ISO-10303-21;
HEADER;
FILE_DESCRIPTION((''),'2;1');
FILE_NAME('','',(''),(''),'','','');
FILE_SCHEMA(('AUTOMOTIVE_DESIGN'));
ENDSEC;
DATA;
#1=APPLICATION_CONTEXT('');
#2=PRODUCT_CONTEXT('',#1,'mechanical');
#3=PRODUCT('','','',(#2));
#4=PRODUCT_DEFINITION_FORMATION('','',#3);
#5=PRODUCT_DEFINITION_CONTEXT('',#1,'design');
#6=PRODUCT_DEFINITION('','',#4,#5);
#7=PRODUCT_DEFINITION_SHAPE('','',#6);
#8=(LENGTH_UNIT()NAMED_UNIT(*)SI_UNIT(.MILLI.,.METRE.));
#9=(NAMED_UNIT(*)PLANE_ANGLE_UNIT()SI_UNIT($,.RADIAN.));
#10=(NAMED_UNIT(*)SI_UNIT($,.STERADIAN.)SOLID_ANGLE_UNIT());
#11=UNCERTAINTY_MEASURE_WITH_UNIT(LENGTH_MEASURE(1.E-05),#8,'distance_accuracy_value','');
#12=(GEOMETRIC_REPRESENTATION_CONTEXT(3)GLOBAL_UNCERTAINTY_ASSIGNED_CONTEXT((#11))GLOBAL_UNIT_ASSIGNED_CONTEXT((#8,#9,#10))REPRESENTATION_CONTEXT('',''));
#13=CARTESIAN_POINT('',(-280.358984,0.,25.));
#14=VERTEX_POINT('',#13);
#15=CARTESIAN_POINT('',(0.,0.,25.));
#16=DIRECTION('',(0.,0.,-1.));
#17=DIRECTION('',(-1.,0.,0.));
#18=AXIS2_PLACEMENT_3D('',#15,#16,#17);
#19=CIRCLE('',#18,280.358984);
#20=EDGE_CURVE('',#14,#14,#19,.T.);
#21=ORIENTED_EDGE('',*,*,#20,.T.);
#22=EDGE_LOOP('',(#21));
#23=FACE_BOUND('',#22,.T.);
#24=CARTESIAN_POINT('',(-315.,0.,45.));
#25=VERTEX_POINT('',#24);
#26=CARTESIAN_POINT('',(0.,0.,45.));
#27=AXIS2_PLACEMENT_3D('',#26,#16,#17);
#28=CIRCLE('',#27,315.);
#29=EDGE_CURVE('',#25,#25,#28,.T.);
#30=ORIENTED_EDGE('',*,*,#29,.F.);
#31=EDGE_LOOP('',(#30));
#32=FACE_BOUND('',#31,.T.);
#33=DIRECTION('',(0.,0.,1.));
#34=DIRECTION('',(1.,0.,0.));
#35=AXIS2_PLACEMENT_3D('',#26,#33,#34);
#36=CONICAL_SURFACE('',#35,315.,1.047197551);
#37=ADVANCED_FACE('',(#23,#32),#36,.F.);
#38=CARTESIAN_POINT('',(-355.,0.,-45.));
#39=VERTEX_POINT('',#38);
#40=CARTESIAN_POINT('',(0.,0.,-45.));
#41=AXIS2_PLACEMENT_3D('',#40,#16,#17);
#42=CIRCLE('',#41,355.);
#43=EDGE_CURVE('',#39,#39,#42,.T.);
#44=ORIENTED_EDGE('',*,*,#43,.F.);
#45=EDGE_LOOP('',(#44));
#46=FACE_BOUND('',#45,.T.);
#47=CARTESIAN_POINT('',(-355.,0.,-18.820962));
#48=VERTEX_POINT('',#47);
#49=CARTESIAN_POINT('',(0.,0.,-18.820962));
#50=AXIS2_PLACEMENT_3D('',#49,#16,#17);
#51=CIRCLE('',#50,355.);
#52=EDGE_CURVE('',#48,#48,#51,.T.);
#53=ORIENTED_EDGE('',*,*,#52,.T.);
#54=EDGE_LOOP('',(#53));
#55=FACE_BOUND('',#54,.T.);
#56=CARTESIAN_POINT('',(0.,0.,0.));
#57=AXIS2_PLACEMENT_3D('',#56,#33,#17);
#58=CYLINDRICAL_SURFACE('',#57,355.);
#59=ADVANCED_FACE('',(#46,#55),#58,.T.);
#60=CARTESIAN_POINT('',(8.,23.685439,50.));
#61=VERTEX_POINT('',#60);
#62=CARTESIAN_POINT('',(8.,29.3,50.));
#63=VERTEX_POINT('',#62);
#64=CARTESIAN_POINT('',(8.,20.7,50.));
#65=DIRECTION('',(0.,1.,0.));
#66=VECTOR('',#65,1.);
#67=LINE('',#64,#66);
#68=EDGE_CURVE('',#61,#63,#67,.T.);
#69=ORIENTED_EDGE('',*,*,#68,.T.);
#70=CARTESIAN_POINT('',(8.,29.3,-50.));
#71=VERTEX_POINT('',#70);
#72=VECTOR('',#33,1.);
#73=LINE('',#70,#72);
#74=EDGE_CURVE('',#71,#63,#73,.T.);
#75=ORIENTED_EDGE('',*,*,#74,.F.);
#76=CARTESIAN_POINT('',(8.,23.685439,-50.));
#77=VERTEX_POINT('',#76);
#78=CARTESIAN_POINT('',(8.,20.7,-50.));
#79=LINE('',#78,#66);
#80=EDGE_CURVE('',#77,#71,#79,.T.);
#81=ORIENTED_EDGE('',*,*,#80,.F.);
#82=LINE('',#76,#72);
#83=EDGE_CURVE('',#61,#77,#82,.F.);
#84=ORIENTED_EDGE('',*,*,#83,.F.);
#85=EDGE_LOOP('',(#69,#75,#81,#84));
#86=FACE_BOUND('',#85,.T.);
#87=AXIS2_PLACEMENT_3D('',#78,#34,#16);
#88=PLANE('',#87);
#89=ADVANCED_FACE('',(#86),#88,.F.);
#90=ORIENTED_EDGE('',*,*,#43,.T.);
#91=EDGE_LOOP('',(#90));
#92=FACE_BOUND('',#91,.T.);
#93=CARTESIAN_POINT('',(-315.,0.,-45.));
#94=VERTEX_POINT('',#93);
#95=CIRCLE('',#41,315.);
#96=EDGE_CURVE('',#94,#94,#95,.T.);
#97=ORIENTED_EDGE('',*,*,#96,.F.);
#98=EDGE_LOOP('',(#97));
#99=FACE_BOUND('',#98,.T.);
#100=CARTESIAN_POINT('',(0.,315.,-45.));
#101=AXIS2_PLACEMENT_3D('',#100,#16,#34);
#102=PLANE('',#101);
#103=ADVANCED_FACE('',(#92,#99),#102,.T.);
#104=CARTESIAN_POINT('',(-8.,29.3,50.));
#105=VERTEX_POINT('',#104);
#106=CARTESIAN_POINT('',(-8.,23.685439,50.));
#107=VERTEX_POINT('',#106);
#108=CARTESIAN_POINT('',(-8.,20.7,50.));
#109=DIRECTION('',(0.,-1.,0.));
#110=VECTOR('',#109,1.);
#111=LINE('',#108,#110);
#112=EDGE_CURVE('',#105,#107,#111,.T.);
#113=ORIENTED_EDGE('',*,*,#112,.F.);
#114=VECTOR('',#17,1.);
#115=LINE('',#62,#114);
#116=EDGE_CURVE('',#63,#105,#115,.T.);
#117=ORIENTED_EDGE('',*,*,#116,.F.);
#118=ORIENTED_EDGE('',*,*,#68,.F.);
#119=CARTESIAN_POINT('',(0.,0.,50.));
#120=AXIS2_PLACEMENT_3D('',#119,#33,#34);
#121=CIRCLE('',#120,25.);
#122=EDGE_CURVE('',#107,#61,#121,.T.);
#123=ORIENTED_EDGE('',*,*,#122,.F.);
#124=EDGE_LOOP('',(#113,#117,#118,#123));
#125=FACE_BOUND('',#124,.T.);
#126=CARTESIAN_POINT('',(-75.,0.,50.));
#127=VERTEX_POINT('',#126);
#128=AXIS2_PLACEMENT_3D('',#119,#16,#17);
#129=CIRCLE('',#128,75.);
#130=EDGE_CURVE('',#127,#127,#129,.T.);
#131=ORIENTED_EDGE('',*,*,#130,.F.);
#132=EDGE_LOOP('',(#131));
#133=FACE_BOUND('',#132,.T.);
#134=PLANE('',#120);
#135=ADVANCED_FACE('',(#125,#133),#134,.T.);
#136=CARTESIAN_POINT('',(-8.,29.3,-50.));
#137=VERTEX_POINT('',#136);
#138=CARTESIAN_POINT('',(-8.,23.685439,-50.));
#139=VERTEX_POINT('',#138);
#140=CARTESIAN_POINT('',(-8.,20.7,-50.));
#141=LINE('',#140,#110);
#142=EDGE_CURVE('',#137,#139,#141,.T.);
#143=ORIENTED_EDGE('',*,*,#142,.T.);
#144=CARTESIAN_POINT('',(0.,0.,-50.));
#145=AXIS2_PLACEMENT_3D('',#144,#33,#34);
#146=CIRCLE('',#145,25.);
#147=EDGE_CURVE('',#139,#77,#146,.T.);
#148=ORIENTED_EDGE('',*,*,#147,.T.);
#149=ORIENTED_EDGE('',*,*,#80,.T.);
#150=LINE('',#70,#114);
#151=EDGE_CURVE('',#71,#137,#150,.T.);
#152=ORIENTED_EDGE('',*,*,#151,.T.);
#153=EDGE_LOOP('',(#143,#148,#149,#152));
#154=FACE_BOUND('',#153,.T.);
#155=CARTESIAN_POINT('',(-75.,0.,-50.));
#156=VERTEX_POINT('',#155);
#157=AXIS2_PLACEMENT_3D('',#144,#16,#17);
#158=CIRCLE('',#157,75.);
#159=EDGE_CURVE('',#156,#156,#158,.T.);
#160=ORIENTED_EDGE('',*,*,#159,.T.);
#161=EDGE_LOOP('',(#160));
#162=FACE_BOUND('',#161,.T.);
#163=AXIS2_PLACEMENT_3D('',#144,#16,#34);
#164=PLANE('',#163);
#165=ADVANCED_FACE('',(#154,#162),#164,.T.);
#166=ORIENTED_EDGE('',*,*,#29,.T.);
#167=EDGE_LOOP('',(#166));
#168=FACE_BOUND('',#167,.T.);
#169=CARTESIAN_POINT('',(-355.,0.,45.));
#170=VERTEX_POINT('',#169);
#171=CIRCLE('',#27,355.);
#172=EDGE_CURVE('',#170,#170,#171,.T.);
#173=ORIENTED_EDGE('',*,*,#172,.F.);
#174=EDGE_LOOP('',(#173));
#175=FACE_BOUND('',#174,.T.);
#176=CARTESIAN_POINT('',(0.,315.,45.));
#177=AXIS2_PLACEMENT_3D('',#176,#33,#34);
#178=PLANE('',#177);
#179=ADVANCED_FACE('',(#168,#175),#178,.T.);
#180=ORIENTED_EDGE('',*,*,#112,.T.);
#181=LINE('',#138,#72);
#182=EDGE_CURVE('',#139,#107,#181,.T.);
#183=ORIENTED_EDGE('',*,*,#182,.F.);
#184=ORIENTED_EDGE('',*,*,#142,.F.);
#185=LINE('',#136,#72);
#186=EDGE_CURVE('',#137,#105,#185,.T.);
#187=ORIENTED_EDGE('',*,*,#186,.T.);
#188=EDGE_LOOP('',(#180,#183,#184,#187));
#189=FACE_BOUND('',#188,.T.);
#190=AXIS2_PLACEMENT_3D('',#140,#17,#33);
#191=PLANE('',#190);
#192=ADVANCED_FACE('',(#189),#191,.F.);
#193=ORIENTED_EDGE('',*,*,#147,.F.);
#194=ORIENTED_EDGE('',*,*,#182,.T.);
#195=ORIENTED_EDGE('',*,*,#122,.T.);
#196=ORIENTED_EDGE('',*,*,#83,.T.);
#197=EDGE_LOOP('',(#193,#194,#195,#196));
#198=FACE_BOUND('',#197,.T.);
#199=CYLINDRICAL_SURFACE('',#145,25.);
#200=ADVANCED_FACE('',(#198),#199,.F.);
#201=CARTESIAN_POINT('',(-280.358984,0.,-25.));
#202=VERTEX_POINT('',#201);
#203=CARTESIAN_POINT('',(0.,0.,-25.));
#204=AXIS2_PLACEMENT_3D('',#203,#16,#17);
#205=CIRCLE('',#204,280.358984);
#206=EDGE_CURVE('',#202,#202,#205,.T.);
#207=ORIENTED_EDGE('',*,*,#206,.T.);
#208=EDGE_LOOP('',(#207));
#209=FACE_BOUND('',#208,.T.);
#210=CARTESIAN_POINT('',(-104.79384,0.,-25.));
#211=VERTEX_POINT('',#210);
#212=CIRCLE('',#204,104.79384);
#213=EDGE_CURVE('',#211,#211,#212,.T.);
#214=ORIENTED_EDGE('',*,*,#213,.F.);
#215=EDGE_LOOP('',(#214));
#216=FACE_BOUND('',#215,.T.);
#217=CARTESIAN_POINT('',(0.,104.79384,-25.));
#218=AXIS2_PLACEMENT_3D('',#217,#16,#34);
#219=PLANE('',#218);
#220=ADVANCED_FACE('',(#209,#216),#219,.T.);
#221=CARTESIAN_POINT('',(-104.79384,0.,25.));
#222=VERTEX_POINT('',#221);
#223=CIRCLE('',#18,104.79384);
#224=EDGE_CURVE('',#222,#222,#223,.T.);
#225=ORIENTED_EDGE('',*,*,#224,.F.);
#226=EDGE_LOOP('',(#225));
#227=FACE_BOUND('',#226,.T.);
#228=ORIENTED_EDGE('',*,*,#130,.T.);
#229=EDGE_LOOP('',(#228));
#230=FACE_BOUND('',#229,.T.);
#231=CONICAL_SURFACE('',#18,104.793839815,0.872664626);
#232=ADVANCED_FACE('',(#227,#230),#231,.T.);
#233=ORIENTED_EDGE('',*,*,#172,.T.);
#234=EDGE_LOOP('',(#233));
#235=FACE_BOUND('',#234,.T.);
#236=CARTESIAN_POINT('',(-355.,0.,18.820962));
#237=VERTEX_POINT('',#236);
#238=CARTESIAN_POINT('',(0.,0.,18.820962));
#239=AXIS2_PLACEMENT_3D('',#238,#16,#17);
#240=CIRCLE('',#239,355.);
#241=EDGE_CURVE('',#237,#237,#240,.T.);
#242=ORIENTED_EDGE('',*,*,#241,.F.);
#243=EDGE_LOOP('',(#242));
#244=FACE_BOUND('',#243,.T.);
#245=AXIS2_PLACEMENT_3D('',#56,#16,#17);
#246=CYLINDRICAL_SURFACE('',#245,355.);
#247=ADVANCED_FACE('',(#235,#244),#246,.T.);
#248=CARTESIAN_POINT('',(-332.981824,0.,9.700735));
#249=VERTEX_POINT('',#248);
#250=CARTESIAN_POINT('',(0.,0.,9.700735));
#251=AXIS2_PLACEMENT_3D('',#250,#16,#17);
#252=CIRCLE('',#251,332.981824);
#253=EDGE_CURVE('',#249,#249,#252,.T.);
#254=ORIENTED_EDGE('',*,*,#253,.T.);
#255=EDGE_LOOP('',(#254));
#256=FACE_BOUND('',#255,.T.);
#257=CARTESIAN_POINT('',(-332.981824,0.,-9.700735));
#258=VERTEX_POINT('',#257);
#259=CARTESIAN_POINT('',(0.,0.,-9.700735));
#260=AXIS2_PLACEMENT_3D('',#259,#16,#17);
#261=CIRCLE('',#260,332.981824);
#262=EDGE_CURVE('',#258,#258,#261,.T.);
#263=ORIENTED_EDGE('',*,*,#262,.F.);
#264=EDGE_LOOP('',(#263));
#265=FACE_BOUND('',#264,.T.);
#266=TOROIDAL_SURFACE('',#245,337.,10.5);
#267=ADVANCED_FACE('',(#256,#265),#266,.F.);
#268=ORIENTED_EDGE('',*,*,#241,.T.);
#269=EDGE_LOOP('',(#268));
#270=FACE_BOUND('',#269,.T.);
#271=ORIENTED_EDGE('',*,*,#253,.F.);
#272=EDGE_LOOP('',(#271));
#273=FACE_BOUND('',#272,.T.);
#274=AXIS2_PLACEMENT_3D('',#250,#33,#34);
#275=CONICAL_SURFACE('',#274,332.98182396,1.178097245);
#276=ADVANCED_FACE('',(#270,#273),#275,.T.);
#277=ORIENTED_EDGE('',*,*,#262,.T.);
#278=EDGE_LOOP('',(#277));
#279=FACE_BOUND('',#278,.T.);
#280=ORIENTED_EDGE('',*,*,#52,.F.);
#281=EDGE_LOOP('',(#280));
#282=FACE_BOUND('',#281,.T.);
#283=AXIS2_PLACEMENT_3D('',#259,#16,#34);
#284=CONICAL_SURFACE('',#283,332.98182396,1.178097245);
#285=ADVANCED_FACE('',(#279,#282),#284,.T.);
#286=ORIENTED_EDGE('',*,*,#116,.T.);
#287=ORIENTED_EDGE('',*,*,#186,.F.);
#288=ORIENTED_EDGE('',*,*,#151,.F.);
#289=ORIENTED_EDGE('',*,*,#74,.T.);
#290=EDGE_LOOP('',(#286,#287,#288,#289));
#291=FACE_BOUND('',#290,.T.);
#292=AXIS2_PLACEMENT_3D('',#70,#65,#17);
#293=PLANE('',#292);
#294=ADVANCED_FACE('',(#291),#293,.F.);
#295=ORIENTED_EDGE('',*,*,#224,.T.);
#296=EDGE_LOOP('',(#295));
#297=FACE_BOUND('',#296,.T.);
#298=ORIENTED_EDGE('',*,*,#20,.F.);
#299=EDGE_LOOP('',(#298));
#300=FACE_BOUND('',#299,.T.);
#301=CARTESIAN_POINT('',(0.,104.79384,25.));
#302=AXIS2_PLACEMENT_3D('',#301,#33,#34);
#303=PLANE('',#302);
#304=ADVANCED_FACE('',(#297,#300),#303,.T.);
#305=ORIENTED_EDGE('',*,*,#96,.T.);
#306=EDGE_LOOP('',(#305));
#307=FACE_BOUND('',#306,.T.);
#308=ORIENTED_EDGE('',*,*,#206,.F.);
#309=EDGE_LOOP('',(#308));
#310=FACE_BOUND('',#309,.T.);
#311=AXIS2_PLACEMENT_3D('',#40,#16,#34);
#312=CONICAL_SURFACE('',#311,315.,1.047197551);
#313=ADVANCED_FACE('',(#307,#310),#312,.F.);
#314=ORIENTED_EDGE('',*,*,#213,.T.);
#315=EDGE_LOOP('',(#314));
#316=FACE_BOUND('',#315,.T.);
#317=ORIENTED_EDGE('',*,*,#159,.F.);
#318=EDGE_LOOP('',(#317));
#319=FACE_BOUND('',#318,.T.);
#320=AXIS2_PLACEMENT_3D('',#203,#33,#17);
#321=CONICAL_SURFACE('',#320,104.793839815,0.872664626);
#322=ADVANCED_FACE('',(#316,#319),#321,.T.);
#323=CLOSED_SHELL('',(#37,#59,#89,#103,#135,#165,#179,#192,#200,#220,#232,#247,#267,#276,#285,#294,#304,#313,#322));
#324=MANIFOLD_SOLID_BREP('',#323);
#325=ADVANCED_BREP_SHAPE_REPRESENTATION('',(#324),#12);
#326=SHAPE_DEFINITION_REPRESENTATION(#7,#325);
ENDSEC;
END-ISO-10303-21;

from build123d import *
from build123d.topology import SkipClean

# Parameters (mm, degrees)
ESQUISSE2_R             = 25
ENL_V_MAT_EXTRU_1_DEPTH = 512.908194894
ESQUISSE3_W             = 16
ESQUISSE3_H             = 8.6
ENL_V_MAT_EXTRU_2_DEPTH = 512.908194894


with BuildPart() as part:
    # Esquisse1 → Révolution1 (revolve)
    with BuildSketch(Plane(origin=(0, 0, 0), x_dir=(0, 0, -1), z_dir=(1, 0, 0)), mode=Mode.PRIVATE) as r_volution1_sk:
        with BuildLine():
            Line((0, 0), (-50, 0))
            Line((-50, 0), (-50, 75))
            Line((-50, 75), (-25, 104.793839815))
            Line((-25, 104.793839815), (-25, 280.358983849))
            Line((-25, 280.358983849), (-45, 315))
            Line((-45, 315), (-45, 355))
            Line((-45, 355), (-18.820962226, 355))
            Line((-18.820962226, 355), (-9.700735091, 332.98182396))
            ThreePointArc((-9.700735091, 332.98182396), (-5.833487447, 328.269569071), (0, 326.5))
            Line((0, 326.5), (0, 0))
        make_face()
    r_volution1 = revolve(r_volution1_sk.sketch.rotate(Axis((0, 0, 0), (0, 0, 1)), 90), axis=Axis((0, 0, 0), (0, 0, 1)))

    # Symétrie1: Révolution1 across plane
    with SkipClean():  # the faces are left unmerged after this step: merging them gives an invalid solid
        add(r_volution1.mirror(Plane(origin=(0, 326.5, 0), x_dir=(1, 0, 0), z_dir=(0, 0, -1))))

    # Esquisse2 → Enlèv. mat.-Extru.1 (cut, through all)
    with SkipClean():  # the faces are left unmerged after this step: merging them gives an invalid solid
        with BuildSketch(Plane.XY.offset(50)):
            Circle(ESQUISSE2_R)
        extrude(amount=-ENL_V_MAT_EXTRU_1_DEPTH, mode=Mode.SUBTRACT)

    # Esquisse3 → Enlèv. mat.-Extru.2 (cut, through all)
    with SkipClean():  # the faces are left unmerged after this step: merging them gives an invalid solid
        with BuildSketch(Plane.XY.offset(50)):
            with Locations((0, 25)):
                Rectangle(ESQUISSE3_W, ESQUISSE3_H)
        extrude(amount=-ENL_V_MAT_EXTRU_2_DEPTH, mode=Mode.SUBTRACT)


solid = part.part
